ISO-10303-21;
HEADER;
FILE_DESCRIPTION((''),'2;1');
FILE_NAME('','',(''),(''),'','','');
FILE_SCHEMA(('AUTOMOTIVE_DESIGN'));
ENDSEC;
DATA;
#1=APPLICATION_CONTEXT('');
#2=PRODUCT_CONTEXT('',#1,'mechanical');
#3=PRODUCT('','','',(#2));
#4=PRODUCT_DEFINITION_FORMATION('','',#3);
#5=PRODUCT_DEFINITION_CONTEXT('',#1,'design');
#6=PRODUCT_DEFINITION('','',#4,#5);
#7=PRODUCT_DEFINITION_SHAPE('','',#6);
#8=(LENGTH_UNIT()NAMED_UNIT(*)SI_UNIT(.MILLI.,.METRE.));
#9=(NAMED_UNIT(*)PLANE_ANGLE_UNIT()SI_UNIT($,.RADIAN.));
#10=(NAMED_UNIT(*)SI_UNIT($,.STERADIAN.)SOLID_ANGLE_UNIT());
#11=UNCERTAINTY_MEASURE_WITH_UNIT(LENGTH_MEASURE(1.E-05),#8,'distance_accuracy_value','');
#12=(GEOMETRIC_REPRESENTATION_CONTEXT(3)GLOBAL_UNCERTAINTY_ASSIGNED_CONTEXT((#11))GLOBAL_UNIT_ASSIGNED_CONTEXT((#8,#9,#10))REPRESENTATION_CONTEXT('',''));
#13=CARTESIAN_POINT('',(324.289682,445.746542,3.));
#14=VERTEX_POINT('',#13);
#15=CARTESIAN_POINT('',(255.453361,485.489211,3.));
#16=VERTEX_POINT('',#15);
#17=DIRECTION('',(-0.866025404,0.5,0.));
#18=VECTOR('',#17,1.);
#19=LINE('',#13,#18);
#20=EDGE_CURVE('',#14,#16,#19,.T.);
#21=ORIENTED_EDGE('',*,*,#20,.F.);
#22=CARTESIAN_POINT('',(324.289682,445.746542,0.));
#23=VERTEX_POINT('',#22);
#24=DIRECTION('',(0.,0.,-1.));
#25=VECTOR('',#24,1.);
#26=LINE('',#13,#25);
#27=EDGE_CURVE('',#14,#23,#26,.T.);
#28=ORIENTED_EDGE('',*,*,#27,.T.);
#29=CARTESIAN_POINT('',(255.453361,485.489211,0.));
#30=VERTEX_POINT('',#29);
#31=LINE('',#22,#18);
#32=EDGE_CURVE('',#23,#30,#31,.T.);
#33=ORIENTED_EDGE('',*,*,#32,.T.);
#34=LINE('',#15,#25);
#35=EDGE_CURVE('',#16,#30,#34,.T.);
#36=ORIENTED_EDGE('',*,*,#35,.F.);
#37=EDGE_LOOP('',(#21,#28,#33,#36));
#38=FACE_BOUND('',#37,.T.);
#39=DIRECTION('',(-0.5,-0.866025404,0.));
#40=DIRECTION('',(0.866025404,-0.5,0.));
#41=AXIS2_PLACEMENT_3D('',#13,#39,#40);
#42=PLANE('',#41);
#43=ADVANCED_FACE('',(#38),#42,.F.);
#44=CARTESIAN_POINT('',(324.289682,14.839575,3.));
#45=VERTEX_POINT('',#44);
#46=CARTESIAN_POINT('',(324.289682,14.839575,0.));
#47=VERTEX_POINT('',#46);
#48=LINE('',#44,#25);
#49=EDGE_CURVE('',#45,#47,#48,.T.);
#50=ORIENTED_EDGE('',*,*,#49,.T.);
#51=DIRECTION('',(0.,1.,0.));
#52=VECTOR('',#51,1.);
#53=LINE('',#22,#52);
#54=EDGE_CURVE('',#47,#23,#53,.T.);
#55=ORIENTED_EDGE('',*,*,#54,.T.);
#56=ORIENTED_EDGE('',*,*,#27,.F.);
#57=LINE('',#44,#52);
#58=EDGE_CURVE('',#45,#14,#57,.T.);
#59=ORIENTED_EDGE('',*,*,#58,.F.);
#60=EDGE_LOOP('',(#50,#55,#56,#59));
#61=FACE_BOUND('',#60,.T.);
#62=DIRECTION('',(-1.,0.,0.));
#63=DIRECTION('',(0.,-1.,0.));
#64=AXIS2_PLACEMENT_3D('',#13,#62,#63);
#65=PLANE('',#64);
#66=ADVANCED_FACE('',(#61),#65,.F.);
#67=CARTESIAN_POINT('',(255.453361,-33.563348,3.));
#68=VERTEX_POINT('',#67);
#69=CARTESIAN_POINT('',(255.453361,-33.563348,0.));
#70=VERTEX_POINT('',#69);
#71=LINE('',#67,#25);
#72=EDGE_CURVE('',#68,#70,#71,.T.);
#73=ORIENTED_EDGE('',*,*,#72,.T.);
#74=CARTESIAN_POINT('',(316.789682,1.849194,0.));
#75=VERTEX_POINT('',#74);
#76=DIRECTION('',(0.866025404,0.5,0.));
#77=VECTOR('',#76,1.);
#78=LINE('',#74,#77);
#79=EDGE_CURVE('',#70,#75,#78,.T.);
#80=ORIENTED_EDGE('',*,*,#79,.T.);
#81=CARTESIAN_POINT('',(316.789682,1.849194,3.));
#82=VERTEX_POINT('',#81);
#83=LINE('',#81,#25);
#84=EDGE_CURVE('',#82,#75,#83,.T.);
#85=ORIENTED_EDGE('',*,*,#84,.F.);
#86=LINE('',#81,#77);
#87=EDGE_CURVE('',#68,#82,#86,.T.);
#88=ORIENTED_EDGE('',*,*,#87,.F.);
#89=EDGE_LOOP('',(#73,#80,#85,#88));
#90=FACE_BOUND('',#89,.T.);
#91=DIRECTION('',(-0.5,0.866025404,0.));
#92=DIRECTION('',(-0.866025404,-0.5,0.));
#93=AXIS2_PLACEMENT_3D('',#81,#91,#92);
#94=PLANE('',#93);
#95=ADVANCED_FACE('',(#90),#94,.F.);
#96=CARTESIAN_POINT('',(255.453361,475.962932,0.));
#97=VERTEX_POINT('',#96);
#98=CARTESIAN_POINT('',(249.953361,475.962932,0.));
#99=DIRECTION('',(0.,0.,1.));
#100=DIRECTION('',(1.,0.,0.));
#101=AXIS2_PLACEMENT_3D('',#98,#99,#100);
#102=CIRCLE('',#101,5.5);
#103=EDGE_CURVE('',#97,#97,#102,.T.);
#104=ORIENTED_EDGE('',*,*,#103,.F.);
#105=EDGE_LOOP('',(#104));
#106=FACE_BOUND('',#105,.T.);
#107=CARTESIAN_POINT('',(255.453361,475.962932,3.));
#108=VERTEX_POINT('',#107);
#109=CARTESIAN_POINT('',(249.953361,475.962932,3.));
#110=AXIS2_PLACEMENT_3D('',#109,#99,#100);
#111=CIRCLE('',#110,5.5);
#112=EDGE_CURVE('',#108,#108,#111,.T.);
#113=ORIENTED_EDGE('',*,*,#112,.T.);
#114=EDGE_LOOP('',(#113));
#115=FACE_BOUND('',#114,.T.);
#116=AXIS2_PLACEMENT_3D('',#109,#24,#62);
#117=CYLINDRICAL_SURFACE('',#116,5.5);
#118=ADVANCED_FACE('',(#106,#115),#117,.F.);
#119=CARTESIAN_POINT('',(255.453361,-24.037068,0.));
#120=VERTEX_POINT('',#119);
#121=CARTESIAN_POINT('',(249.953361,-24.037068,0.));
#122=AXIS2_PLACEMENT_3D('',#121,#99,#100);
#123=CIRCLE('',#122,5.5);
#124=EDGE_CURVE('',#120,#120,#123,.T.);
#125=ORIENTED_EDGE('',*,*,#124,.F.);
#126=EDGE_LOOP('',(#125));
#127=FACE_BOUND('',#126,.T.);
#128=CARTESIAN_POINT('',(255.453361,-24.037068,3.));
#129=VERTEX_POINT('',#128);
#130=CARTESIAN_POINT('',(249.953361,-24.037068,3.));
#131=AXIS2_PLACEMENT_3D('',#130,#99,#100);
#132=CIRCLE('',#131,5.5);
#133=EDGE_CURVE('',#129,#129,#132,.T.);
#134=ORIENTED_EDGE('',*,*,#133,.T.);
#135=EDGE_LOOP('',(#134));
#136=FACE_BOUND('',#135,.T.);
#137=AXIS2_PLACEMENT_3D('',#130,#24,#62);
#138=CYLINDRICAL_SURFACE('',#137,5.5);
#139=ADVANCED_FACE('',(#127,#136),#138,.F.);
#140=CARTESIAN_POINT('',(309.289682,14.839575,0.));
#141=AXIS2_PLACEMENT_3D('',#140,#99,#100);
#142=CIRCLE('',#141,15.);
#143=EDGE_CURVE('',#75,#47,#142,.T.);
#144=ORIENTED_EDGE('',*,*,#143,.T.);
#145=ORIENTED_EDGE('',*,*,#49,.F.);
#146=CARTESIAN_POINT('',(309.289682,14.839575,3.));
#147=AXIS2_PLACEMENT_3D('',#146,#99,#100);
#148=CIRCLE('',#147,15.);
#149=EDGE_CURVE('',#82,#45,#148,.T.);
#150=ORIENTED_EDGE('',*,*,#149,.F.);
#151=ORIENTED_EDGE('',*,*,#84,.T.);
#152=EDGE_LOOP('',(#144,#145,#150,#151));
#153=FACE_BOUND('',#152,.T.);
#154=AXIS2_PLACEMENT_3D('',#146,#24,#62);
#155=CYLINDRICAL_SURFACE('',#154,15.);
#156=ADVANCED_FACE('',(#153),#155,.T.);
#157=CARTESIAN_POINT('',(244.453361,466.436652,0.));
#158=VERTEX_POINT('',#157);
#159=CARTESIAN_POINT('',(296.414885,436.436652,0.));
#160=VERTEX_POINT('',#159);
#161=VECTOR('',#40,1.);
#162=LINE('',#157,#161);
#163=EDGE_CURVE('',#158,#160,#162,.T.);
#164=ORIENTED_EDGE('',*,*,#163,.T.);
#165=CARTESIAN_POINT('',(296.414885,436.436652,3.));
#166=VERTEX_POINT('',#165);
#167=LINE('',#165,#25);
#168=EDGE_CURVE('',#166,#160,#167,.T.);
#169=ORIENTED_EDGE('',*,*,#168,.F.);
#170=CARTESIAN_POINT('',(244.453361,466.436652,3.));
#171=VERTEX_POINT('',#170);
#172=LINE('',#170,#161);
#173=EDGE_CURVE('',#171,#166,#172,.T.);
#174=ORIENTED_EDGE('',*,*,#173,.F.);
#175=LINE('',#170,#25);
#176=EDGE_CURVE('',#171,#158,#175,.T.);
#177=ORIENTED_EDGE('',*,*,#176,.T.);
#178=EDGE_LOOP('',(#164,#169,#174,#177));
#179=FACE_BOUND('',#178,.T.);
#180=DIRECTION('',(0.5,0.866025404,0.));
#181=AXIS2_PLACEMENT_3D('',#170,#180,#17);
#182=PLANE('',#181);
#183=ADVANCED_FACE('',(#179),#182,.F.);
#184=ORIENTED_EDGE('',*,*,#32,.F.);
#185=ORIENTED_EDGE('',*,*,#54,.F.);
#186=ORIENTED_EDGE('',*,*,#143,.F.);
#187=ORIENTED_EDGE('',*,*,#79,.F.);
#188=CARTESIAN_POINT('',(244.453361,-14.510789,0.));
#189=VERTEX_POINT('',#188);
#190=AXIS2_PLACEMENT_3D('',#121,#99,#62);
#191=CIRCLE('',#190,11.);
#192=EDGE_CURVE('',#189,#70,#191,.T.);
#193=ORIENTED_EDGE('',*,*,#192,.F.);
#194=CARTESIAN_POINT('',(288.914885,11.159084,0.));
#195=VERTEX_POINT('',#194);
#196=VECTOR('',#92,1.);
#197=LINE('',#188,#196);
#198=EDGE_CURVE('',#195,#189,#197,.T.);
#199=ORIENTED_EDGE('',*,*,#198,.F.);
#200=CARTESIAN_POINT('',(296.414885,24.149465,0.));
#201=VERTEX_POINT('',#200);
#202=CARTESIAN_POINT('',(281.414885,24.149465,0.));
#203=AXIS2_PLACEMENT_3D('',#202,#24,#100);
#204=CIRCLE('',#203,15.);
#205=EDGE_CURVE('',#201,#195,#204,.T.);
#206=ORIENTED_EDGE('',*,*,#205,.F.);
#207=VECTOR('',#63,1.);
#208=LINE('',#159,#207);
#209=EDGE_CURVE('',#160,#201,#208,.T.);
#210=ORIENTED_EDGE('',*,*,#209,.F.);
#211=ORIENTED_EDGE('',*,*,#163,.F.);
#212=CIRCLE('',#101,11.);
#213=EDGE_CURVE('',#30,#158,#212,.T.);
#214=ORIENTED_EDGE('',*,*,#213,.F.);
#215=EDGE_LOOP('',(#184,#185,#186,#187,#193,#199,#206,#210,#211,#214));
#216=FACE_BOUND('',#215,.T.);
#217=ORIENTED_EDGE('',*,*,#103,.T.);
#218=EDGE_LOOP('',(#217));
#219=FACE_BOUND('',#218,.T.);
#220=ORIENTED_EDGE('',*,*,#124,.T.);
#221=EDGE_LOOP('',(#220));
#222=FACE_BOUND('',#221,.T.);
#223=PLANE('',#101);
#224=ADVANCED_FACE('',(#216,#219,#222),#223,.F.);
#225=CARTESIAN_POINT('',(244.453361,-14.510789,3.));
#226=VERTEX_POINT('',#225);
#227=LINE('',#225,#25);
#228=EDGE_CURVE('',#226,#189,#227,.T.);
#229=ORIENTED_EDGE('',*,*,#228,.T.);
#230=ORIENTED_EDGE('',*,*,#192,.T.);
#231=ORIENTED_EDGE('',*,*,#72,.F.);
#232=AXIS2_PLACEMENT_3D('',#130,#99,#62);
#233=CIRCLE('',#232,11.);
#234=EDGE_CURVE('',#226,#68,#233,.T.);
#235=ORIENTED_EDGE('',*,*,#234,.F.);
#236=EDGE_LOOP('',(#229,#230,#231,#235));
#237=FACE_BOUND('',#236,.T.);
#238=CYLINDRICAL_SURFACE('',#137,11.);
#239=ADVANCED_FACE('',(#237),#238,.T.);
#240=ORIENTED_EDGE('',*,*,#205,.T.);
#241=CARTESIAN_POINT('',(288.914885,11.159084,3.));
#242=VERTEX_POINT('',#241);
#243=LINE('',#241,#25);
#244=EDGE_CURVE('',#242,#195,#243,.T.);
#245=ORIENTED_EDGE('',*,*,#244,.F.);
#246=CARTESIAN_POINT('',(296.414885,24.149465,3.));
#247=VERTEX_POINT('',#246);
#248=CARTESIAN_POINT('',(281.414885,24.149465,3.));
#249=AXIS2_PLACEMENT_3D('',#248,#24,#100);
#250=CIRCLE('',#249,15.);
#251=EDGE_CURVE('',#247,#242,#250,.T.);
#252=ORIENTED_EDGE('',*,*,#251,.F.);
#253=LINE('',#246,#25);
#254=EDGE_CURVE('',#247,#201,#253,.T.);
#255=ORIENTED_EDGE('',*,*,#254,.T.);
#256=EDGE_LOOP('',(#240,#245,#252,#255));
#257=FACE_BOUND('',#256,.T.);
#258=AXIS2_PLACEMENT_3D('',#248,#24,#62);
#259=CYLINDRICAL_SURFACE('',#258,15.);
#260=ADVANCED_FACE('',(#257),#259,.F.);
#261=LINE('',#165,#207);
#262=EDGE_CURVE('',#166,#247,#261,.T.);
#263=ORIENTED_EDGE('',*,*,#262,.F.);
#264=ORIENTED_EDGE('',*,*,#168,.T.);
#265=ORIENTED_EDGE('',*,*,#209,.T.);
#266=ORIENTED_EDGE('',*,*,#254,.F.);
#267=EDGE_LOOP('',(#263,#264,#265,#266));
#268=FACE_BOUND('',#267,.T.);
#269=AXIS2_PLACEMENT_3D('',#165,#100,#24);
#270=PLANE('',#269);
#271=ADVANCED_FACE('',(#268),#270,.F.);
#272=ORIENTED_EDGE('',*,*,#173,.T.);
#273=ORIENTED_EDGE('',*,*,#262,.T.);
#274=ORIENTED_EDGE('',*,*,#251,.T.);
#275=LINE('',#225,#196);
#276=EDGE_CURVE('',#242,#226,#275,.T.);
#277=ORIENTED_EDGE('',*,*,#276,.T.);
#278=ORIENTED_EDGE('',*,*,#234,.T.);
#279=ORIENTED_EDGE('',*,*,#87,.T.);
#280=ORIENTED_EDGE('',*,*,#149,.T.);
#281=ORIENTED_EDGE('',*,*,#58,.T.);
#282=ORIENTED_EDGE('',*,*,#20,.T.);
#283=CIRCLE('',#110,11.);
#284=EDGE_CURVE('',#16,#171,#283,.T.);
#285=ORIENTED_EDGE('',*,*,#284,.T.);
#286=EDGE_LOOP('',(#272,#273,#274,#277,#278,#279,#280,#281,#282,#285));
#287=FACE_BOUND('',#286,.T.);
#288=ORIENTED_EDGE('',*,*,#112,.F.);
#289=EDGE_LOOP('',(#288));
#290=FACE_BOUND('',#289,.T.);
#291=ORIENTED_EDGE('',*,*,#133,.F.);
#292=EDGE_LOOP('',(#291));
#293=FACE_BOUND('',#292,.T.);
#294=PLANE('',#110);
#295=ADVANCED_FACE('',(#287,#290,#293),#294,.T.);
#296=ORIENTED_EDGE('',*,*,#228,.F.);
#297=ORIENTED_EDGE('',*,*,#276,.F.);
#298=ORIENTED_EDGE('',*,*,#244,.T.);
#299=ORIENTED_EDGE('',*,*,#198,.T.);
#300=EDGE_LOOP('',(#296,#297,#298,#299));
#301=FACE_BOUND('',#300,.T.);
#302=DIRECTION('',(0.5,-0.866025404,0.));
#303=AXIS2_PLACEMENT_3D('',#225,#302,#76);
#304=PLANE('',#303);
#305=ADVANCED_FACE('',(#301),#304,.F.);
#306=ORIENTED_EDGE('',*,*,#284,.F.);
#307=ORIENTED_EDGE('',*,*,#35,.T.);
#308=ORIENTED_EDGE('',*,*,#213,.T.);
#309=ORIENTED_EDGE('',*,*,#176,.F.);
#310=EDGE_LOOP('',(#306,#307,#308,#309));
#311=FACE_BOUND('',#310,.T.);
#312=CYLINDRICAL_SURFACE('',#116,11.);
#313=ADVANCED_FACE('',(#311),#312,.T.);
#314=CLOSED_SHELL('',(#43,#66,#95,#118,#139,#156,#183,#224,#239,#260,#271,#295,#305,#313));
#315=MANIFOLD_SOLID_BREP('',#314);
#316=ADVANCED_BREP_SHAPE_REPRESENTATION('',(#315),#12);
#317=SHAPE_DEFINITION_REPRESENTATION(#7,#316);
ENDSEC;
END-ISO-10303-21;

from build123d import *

# Parameters (mm, degrees)
SKETCH_1_R      = 5.5
EXTRUDE_1_DEPTH = 3


with BuildPart() as part:
    # 草图1 → 凸台-拉伸1 (new body)
    with BuildSketch(Plane.XY):
        with BuildLine():
            Line((324.289682364, 18.881027034), (324.289682364, 433.044836172))
            Line((324.289682364, 433.044836172), (324.289682364, 445.746542094))
            Line((324.289682364, 445.746542094), (255.453360513, 485.489211044))
            ThreePointArc((255.453360513, 485.489211044), (240.427081072, 481.462931603), (244.453360513, 466.436652161))
            Line((244.453360513, 466.436652161), (296.41488474, 436.436652161))
            Line((296.41488474, 436.436652161), (296.41488474, 24.149465082))
            ThreePointArc((296.41488474, 24.149465082), (294.405265797, 16.649465082), (288.91488474, 11.159084025))
            Line((288.91488474, 11.159084025), (244.453360513, -14.510788956))
            ThreePointArc((244.453360513, -14.510788956), (240.427081072, -29.537068397), (255.453360513, -33.563347839))
            Line((255.453360513, -33.563347839), (316.789682364, 1.849194092))
            ThreePointArc((316.789682364, 1.849194092), (322.28006342, 7.339575149), (324.289682364, 14.839575149))
            Line((324.289682364, 14.839575149), (324.289682364, 18.881027034))
        make_face()
        with Locations((249.953360513, -24.037068397)):
            Circle(SKETCH_1_R, mode=Mode.SUBTRACT)
        with Locations((249.953360513, 475.962931603)):
            Circle(SKETCH_1_R, mode=Mode.SUBTRACT)
    extrude(amount=EXTRUDE_1_DEPTH)


solid = part.part
